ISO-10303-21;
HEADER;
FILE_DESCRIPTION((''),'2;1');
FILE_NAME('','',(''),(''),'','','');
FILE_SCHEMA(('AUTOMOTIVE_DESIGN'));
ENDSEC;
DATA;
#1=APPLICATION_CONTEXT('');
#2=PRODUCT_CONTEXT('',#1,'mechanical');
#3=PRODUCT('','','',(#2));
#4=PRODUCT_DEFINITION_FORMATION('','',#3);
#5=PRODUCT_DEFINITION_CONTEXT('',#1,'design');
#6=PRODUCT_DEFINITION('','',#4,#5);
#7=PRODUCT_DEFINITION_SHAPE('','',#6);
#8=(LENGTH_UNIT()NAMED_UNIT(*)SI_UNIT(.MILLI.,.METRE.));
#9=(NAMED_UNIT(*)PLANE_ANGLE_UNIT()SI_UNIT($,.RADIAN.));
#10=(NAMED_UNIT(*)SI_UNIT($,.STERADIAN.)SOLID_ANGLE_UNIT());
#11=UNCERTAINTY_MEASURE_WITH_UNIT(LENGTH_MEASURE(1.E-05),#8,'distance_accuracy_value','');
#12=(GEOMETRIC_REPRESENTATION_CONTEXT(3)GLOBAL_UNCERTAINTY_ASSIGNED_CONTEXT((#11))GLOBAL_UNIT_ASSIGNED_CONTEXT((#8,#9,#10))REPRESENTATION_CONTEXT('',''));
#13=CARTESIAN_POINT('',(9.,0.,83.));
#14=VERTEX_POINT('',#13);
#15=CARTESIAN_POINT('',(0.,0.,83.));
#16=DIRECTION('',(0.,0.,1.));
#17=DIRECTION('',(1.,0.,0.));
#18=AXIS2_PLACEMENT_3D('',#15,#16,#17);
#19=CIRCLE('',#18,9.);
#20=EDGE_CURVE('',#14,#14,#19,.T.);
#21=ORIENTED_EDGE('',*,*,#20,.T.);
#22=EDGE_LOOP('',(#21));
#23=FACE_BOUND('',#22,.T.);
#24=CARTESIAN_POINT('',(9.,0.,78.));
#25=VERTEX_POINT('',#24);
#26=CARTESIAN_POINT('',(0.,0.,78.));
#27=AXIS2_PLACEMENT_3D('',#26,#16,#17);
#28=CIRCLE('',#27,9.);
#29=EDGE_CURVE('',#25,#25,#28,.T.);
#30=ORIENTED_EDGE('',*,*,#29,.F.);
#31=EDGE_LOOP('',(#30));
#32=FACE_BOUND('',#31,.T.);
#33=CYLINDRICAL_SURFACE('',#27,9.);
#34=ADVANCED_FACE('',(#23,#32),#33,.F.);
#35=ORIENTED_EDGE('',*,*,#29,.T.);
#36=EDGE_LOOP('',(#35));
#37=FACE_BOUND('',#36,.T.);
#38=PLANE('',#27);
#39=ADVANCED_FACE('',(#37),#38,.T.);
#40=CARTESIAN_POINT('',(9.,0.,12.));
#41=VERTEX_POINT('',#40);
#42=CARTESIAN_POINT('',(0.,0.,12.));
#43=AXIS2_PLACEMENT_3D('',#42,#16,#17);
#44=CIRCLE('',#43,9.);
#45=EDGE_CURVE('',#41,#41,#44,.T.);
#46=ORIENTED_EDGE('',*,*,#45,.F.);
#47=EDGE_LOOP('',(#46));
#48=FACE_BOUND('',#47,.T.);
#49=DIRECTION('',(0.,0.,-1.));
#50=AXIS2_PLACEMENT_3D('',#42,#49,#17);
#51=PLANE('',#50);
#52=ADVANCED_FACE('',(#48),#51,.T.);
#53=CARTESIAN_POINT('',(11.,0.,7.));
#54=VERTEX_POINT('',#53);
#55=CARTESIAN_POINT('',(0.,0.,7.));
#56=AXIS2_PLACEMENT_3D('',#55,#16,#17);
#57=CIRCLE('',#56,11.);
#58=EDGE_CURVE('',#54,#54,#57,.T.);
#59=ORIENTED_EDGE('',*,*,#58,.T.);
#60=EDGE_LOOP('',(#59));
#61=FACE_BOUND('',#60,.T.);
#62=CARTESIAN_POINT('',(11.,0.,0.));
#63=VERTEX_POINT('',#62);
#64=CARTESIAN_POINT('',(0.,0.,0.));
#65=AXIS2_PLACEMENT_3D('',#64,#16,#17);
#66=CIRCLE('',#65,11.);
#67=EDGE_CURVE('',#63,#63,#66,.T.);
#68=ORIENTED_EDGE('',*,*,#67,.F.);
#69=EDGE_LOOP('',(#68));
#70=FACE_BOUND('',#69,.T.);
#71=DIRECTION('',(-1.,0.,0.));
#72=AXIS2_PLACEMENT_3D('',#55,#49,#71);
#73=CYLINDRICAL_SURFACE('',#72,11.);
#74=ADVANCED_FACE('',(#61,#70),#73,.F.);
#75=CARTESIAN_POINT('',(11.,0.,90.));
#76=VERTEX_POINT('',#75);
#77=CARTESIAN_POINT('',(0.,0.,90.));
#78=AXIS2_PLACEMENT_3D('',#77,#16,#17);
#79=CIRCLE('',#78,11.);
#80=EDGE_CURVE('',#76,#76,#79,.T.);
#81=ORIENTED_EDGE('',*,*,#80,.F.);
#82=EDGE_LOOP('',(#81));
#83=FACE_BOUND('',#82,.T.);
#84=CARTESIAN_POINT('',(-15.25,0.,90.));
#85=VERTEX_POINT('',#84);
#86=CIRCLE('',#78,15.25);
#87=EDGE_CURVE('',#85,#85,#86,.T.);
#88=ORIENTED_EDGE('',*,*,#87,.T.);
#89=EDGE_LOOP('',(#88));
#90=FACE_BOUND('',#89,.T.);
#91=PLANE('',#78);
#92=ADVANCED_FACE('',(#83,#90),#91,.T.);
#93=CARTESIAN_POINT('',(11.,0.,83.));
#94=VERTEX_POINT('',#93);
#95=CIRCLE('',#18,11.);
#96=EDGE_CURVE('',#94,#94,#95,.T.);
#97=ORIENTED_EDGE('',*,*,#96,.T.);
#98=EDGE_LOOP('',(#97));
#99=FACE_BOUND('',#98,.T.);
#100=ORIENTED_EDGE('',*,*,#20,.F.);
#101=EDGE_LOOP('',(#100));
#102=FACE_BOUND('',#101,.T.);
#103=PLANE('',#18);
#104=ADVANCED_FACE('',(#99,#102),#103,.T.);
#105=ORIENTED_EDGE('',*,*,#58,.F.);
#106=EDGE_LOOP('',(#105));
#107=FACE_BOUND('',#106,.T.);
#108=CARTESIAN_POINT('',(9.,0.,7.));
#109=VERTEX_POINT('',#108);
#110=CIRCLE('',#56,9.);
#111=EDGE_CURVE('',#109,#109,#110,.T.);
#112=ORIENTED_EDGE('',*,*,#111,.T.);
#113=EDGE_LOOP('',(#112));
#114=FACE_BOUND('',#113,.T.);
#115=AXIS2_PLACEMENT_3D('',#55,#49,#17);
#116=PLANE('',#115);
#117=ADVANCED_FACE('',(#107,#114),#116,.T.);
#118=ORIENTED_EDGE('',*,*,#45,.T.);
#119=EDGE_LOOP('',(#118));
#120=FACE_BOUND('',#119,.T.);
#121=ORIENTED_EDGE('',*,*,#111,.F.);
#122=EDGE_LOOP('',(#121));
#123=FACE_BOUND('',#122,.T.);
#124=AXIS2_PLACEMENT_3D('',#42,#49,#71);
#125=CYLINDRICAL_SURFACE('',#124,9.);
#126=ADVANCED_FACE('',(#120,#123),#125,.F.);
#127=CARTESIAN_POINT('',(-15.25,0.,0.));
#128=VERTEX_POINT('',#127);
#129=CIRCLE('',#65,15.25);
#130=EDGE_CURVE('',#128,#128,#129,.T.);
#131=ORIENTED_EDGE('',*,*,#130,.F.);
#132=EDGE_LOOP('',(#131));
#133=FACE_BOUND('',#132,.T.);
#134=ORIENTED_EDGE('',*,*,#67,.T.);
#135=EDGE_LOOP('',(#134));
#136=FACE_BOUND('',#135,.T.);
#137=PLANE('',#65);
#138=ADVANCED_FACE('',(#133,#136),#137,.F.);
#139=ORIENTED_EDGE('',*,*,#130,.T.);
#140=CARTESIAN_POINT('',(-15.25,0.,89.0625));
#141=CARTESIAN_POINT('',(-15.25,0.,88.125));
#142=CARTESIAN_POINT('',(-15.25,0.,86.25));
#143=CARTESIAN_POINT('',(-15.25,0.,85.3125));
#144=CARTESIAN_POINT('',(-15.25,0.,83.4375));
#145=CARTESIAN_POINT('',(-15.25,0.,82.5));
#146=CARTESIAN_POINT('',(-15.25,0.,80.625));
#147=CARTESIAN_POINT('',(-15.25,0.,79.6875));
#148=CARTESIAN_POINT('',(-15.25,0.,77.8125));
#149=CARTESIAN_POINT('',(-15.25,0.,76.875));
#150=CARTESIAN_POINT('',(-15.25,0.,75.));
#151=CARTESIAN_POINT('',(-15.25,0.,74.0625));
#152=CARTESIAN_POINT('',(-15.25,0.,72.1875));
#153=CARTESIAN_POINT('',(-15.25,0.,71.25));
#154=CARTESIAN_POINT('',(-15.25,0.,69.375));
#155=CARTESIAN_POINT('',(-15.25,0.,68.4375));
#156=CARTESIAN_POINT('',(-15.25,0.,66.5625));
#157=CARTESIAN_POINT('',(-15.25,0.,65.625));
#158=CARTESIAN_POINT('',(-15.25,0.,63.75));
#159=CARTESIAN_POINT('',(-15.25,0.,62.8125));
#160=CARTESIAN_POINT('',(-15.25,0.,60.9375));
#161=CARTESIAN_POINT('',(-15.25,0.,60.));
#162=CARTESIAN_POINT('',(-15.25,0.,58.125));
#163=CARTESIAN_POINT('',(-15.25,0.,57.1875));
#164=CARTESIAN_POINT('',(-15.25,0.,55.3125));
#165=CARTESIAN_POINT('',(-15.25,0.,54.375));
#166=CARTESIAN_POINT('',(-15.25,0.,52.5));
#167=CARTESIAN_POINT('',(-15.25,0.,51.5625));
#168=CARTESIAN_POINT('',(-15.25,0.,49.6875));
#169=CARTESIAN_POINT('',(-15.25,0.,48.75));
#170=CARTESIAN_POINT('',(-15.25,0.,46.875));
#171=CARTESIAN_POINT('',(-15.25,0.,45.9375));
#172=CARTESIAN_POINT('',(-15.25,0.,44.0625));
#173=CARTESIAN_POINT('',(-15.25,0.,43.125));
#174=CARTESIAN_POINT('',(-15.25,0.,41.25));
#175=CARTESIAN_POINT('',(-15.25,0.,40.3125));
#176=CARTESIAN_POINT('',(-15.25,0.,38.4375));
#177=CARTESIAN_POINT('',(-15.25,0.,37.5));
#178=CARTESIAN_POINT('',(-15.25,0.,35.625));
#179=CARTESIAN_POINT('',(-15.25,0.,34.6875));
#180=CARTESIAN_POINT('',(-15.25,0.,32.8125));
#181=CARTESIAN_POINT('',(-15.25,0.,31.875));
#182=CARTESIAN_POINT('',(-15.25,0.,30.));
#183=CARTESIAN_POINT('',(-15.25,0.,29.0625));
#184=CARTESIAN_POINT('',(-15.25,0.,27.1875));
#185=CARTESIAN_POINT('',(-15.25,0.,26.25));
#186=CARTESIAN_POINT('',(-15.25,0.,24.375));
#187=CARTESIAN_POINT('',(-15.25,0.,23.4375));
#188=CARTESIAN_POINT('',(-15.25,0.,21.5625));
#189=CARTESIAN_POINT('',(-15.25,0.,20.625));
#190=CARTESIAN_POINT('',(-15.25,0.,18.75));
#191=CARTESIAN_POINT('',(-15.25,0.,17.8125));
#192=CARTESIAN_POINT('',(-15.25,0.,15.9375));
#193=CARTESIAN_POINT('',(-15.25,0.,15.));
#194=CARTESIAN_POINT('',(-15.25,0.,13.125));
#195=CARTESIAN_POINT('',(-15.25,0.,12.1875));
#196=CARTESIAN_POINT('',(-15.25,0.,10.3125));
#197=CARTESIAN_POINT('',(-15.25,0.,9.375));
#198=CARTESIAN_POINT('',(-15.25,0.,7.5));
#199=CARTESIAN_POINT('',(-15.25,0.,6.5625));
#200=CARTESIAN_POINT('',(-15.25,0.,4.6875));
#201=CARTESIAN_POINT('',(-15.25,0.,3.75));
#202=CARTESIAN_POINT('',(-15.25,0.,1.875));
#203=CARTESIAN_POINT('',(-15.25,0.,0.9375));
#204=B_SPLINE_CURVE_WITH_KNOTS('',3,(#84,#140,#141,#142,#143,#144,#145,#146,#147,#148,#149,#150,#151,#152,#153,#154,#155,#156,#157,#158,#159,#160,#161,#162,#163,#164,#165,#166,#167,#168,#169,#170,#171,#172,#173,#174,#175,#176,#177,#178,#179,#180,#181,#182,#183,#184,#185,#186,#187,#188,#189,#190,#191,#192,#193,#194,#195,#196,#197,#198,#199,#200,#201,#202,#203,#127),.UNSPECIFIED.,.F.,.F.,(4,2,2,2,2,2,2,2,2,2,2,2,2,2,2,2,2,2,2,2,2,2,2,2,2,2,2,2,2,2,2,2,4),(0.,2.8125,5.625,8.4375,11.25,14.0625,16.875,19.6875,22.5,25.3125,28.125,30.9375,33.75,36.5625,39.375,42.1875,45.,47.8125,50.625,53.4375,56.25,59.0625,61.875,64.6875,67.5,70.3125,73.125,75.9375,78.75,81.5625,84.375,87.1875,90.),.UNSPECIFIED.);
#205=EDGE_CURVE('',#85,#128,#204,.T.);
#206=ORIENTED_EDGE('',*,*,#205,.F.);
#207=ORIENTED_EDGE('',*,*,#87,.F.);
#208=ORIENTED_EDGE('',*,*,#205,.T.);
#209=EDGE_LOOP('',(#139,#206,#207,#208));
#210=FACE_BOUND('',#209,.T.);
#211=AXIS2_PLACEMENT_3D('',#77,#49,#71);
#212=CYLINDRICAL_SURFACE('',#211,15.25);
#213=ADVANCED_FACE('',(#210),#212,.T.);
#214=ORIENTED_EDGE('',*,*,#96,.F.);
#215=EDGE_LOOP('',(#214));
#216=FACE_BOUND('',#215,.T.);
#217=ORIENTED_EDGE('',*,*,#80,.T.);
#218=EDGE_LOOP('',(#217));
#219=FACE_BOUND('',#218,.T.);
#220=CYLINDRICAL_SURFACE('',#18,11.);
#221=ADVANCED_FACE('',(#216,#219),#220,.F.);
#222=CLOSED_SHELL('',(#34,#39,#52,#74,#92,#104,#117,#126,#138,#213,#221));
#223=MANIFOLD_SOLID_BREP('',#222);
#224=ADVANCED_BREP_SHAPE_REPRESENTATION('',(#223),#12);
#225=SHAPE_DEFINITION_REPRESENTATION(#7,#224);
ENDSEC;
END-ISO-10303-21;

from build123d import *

# Parameters (mm, degrees)
ESQUISSE1_R             = 15.25
BOSS_EXTRU_1_DEPTH      = 90
ESQUISSE2_R             = 11
ENL_V_MAT_EXTRU_1_DEPTH = 7
ESQUISSE3_R             = 9
ENL_V_MAT_EXTRU_2_DEPTH = 5


with BuildPart() as part:
    # Esquisse1 → Boss.-Extru.1 (new body)
    with BuildSketch(Plane.XY):
        with Locations(Location((0, 0, 0), (0, 0, 180))):
            Circle(ESQUISSE1_R)
    extrude(amount=BOSS_EXTRU_1_DEPTH)

    # Esquisse2 → Enlèv. mat.-Extru.1 (cut)
    with BuildSketch(Plane.XY.offset(90)):
        Circle(ESQUISSE2_R)
    enl_v_mat_extru_1 = extrude(amount=-ENL_V_MAT_EXTRU_1_DEPTH, mode=Mode.SUBTRACT)

    # Esquisse3 → Enlèv. mat.-Extru.2 (cut)
    with BuildSketch(Plane.XY.offset(83)):
        Circle(ESQUISSE3_R)
    enl_v_mat_extru_2 = extrude(amount=-ENL_V_MAT_EXTRU_2_DEPTH, mode=Mode.SUBTRACT)

    # Symétrie1: Enlèv. mat.-Extru.1, Enlèv. mat.-Extru.2 across plane
    add(enl_v_mat_extru_1.mirror(Plane.XY.offset(45)), mode=Mode.SUBTRACT)
    add(enl_v_mat_extru_2.mirror(Plane.XY.offset(45)), mode=Mode.SUBTRACT)


solid = part.part
